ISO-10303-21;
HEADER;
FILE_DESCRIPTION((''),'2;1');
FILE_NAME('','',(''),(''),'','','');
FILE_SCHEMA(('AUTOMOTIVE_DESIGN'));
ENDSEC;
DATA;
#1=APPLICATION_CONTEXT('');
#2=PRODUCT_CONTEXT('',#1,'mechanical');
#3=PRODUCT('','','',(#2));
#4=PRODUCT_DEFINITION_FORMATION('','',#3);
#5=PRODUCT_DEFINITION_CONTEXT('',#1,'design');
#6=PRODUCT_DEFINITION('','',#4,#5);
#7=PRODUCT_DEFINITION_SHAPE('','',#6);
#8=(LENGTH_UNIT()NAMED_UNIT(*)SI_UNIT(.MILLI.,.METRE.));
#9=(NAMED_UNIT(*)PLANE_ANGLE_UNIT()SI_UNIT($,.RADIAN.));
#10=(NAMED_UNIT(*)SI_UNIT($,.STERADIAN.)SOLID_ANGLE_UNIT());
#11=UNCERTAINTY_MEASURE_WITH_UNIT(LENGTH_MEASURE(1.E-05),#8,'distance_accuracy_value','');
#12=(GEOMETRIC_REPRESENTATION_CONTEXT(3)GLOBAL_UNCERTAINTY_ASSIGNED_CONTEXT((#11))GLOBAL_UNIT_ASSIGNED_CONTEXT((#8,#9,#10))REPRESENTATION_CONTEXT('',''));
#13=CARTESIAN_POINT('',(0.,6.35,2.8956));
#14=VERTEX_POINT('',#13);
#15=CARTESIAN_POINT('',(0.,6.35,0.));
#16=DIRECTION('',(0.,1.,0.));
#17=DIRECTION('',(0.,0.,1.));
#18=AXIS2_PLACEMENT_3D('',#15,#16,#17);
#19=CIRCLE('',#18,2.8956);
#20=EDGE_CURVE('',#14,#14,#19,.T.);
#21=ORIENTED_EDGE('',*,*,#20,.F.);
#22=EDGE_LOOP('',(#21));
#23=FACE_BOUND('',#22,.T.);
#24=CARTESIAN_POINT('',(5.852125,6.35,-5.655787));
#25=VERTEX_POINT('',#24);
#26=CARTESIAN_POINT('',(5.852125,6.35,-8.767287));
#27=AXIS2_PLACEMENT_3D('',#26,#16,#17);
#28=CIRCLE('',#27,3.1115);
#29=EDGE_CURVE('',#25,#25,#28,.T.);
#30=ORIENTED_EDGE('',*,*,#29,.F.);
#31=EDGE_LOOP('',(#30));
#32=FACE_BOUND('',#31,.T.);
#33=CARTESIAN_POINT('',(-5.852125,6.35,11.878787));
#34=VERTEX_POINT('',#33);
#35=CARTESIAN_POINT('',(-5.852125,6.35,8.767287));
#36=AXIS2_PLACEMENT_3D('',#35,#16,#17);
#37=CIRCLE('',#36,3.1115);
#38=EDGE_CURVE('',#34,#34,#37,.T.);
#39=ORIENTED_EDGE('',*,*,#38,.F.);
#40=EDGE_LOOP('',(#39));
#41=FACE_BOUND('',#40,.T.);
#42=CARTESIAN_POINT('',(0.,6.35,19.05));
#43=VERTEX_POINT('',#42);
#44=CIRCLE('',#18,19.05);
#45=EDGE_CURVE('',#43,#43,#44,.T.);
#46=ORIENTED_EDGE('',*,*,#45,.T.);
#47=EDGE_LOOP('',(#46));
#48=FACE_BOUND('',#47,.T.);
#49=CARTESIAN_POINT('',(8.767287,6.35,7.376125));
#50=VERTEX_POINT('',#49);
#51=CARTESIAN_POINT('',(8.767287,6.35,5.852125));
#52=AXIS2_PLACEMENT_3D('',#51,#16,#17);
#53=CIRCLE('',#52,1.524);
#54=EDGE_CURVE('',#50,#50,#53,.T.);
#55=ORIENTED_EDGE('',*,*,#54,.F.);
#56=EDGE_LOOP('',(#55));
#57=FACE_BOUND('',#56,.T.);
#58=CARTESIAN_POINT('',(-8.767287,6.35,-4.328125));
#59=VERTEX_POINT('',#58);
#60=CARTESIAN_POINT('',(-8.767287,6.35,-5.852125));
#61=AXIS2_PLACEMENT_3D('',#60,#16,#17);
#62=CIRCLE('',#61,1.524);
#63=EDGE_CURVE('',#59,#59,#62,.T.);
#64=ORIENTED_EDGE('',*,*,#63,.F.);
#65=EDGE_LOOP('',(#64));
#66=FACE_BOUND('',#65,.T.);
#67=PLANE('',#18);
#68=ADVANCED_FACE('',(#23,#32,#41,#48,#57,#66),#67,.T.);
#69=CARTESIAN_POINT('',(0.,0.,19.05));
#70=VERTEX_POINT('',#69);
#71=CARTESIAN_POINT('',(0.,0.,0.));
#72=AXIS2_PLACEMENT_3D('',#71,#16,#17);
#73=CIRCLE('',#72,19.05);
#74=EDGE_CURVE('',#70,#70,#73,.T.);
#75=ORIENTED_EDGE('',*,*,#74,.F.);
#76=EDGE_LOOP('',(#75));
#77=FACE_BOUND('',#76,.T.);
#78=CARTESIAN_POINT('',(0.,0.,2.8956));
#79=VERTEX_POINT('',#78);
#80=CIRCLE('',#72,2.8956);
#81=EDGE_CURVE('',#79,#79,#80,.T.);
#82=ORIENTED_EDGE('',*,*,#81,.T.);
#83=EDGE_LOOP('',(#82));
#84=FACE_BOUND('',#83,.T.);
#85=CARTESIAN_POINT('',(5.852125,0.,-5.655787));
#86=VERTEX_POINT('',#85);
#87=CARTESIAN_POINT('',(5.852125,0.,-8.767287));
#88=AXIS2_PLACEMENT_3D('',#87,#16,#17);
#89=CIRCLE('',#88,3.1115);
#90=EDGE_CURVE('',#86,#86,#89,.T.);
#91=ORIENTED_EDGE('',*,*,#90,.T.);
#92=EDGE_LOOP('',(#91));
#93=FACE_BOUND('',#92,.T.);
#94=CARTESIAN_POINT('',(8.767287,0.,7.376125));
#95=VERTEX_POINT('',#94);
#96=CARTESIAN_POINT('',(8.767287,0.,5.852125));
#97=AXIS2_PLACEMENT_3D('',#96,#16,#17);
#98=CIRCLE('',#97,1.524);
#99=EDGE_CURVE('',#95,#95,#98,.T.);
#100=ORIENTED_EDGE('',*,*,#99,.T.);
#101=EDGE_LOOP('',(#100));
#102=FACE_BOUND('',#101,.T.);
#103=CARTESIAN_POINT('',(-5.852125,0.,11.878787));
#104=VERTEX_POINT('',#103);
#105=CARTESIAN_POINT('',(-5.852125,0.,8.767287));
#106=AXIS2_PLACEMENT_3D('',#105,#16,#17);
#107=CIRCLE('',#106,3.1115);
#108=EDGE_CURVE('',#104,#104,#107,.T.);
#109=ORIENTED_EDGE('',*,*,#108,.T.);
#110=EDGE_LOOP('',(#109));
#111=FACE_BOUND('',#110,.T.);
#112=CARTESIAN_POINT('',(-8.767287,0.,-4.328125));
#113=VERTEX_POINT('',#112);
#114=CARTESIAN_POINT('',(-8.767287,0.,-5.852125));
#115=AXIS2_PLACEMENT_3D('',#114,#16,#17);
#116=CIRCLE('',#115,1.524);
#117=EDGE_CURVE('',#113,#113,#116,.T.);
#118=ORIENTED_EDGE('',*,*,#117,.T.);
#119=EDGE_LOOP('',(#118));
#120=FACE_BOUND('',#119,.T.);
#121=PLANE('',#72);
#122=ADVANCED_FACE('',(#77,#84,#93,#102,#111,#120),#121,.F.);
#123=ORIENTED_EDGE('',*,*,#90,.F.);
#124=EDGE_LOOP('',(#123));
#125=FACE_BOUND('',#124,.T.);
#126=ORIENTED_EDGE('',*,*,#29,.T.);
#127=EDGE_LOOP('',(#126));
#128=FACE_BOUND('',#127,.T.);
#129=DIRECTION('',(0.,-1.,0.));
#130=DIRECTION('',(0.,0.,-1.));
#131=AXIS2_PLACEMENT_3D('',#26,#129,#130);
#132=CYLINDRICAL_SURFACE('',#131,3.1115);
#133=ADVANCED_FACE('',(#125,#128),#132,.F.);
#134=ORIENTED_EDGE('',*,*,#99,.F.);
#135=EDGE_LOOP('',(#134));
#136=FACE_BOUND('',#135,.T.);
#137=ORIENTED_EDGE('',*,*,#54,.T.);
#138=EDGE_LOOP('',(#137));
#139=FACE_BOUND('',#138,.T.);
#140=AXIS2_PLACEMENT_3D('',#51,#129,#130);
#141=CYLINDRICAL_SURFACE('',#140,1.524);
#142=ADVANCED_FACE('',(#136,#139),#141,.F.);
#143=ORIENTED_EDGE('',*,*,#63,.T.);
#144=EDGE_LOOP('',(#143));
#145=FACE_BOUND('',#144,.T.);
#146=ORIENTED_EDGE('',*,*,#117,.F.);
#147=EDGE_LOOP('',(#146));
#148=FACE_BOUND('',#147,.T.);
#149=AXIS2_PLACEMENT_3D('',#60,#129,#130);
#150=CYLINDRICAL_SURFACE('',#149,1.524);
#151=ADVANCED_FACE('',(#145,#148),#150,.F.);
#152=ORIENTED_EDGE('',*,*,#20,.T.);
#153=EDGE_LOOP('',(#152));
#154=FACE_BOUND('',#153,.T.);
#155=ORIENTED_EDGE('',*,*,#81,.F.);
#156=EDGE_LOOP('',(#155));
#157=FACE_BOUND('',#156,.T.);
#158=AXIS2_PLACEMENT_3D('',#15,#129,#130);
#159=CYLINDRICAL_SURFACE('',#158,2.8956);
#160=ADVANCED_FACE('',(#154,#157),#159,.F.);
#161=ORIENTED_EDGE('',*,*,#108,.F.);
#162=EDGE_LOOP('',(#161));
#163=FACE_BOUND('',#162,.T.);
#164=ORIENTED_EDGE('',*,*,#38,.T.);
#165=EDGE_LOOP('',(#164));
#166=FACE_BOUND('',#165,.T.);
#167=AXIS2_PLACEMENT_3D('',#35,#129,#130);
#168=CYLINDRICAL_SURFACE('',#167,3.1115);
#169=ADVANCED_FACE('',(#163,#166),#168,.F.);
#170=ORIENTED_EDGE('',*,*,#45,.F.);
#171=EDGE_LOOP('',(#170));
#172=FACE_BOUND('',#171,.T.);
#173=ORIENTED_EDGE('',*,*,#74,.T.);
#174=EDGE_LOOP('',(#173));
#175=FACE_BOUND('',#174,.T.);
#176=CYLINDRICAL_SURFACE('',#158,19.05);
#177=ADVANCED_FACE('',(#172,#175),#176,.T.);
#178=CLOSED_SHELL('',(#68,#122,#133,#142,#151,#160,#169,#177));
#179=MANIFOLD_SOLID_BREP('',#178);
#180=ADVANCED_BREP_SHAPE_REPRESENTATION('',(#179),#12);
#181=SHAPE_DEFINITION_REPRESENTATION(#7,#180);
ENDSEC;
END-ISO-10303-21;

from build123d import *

# Parameters (mm, degrees)
SKETCH1_R           = 19.05
SKETCH1_R_2         = 2.8956
SKETCH1_R_3         = 1.524
SKETCH1_R_4         = 3.1115
BOSS_EXTRUDE1_DEPTH = 6.35


with BuildPart() as part:
    # Sketch1 → Boss-Extrude1 (new body)
    with BuildSketch(Plane(origin=(0, 0, 0), x_dir=(1, 0, 0), z_dir=(0, 1, 0))):
        with Locations(Location((0, 0, 0), (0, 0, 270))):
            Circle(SKETCH1_R)
        with Locations(Location((0, 0, 0), (0, 0, 270))):
            Circle(SKETCH1_R_2, mode=Mode.SUBTRACT)
        with Locations(Location((8.767286662, -5.852124877, 0), (0, 0, 270))):
            Circle(SKETCH1_R_3, mode=Mode.SUBTRACT)
        with Locations(Location((-8.767286662, 5.852124877, 0), (0, 0, 270))):
            Circle(SKETCH1_R_3, mode=Mode.SUBTRACT)
        with Locations(Location((5.852124877, 8.767286662, 0), (0, 0, 270))):
            Circle(SKETCH1_R_4, mode=Mode.SUBTRACT)
        with Locations(Location((-5.852124877, -8.767286662, 0), (0, 0, 270))):
            Circle(SKETCH1_R_4, mode=Mode.SUBTRACT)
    extrude(amount=BOSS_EXTRUDE1_DEPTH)


solid = part.part
